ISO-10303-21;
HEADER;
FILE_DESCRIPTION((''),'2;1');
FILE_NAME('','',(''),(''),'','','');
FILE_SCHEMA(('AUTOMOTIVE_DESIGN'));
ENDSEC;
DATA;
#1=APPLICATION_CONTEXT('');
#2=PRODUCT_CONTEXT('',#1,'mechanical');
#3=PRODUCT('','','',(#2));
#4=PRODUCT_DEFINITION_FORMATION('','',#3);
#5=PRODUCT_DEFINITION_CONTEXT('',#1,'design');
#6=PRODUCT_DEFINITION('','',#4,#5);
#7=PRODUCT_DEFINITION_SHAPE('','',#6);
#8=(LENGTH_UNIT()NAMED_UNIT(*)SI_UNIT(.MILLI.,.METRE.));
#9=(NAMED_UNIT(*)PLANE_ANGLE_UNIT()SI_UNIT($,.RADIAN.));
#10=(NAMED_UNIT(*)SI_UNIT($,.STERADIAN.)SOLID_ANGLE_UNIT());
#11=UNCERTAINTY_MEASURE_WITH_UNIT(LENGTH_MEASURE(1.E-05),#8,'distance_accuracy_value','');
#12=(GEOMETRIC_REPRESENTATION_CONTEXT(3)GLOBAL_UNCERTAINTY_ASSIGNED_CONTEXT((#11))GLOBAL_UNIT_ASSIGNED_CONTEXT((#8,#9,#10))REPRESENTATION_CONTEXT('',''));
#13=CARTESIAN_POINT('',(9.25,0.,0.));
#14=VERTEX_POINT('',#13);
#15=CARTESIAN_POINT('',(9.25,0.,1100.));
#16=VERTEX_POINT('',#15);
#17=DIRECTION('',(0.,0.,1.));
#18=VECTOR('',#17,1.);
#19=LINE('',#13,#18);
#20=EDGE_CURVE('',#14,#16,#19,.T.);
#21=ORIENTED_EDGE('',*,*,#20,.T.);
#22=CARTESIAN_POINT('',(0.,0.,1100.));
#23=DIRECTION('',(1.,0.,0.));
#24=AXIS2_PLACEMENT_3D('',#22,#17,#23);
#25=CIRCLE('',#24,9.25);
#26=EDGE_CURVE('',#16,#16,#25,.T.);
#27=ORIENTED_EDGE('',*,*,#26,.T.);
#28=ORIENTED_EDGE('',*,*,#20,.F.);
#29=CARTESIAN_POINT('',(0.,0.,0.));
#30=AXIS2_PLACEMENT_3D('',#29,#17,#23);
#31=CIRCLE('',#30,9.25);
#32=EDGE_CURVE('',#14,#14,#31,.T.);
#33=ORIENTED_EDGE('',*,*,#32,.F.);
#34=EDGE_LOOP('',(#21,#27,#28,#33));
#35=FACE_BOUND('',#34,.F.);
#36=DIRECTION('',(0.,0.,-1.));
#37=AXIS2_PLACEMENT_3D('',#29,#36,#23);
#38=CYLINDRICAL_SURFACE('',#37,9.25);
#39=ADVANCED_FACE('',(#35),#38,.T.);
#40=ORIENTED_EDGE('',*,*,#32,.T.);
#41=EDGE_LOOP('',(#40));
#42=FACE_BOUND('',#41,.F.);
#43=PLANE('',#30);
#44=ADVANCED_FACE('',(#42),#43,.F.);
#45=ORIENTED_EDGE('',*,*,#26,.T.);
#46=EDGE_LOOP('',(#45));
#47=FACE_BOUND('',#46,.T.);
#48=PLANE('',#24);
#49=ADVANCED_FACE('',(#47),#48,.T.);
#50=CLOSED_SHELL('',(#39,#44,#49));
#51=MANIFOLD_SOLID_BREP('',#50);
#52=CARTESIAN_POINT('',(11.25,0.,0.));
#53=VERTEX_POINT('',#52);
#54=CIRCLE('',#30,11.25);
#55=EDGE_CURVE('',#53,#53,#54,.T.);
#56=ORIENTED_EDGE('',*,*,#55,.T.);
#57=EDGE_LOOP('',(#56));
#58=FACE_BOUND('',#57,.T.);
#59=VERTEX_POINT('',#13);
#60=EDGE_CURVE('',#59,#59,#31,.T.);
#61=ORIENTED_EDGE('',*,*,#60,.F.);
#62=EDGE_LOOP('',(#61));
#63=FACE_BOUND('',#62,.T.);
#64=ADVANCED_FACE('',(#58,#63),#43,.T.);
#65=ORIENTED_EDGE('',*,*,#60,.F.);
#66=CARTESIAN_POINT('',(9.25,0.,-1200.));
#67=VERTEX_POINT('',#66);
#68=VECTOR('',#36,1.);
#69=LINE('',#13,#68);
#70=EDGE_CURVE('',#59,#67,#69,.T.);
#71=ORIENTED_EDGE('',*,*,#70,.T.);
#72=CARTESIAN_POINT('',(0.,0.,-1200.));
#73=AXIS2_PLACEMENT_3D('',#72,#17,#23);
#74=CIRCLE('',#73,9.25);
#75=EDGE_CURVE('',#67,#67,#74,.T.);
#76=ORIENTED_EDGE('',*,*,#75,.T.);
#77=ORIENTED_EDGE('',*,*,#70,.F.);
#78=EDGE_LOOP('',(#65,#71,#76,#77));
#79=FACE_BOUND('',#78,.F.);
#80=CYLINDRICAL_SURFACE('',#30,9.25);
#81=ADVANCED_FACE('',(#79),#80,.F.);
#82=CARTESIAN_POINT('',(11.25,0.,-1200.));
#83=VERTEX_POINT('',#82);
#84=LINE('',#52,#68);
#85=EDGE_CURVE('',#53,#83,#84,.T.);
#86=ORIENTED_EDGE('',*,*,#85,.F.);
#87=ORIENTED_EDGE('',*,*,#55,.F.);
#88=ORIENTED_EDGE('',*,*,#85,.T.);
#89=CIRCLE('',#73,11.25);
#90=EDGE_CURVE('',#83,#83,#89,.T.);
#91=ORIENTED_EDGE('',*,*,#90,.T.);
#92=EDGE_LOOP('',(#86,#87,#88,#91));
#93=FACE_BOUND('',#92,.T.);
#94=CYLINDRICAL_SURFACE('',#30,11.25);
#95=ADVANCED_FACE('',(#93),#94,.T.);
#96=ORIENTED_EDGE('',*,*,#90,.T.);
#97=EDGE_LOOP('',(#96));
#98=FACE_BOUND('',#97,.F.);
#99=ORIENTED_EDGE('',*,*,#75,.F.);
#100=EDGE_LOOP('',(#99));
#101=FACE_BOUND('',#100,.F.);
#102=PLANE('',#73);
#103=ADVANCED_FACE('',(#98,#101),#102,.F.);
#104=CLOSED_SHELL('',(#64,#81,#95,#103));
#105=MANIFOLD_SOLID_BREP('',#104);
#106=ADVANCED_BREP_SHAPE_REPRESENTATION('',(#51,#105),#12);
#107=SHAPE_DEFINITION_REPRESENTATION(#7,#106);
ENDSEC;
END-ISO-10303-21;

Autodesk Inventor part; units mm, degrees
ref_plane "YZ Plane" through (0, 0, 0) normal (1, 0, 0) x (0, 1, 0)
ref_plane "XZ Plane" through (0, 0, 0) normal (0, 1, 0) x (-1, 0, 0)
ref_plane "XY Plane" through (0, 0, 0) normal (0, 0, 1) x (1, 0, 0)
sketch "스케치1" plane through (0, 0, 0) normal (0, 0, 1) x (1, 0, 0)
  circle A0 centre (0, 0) radius 11.25
  circle A1 centre (0, 0) radius 9.25
  dimension "d0" = 22.5
  dimension "d1" = 18.5
extrude "돌출1" add sketch "스케치1" along normal blind 1100 contours A1
extrude "돌출2" add sketch "스케치1" against normal blind 1200
properties part number "커튼 봉"
